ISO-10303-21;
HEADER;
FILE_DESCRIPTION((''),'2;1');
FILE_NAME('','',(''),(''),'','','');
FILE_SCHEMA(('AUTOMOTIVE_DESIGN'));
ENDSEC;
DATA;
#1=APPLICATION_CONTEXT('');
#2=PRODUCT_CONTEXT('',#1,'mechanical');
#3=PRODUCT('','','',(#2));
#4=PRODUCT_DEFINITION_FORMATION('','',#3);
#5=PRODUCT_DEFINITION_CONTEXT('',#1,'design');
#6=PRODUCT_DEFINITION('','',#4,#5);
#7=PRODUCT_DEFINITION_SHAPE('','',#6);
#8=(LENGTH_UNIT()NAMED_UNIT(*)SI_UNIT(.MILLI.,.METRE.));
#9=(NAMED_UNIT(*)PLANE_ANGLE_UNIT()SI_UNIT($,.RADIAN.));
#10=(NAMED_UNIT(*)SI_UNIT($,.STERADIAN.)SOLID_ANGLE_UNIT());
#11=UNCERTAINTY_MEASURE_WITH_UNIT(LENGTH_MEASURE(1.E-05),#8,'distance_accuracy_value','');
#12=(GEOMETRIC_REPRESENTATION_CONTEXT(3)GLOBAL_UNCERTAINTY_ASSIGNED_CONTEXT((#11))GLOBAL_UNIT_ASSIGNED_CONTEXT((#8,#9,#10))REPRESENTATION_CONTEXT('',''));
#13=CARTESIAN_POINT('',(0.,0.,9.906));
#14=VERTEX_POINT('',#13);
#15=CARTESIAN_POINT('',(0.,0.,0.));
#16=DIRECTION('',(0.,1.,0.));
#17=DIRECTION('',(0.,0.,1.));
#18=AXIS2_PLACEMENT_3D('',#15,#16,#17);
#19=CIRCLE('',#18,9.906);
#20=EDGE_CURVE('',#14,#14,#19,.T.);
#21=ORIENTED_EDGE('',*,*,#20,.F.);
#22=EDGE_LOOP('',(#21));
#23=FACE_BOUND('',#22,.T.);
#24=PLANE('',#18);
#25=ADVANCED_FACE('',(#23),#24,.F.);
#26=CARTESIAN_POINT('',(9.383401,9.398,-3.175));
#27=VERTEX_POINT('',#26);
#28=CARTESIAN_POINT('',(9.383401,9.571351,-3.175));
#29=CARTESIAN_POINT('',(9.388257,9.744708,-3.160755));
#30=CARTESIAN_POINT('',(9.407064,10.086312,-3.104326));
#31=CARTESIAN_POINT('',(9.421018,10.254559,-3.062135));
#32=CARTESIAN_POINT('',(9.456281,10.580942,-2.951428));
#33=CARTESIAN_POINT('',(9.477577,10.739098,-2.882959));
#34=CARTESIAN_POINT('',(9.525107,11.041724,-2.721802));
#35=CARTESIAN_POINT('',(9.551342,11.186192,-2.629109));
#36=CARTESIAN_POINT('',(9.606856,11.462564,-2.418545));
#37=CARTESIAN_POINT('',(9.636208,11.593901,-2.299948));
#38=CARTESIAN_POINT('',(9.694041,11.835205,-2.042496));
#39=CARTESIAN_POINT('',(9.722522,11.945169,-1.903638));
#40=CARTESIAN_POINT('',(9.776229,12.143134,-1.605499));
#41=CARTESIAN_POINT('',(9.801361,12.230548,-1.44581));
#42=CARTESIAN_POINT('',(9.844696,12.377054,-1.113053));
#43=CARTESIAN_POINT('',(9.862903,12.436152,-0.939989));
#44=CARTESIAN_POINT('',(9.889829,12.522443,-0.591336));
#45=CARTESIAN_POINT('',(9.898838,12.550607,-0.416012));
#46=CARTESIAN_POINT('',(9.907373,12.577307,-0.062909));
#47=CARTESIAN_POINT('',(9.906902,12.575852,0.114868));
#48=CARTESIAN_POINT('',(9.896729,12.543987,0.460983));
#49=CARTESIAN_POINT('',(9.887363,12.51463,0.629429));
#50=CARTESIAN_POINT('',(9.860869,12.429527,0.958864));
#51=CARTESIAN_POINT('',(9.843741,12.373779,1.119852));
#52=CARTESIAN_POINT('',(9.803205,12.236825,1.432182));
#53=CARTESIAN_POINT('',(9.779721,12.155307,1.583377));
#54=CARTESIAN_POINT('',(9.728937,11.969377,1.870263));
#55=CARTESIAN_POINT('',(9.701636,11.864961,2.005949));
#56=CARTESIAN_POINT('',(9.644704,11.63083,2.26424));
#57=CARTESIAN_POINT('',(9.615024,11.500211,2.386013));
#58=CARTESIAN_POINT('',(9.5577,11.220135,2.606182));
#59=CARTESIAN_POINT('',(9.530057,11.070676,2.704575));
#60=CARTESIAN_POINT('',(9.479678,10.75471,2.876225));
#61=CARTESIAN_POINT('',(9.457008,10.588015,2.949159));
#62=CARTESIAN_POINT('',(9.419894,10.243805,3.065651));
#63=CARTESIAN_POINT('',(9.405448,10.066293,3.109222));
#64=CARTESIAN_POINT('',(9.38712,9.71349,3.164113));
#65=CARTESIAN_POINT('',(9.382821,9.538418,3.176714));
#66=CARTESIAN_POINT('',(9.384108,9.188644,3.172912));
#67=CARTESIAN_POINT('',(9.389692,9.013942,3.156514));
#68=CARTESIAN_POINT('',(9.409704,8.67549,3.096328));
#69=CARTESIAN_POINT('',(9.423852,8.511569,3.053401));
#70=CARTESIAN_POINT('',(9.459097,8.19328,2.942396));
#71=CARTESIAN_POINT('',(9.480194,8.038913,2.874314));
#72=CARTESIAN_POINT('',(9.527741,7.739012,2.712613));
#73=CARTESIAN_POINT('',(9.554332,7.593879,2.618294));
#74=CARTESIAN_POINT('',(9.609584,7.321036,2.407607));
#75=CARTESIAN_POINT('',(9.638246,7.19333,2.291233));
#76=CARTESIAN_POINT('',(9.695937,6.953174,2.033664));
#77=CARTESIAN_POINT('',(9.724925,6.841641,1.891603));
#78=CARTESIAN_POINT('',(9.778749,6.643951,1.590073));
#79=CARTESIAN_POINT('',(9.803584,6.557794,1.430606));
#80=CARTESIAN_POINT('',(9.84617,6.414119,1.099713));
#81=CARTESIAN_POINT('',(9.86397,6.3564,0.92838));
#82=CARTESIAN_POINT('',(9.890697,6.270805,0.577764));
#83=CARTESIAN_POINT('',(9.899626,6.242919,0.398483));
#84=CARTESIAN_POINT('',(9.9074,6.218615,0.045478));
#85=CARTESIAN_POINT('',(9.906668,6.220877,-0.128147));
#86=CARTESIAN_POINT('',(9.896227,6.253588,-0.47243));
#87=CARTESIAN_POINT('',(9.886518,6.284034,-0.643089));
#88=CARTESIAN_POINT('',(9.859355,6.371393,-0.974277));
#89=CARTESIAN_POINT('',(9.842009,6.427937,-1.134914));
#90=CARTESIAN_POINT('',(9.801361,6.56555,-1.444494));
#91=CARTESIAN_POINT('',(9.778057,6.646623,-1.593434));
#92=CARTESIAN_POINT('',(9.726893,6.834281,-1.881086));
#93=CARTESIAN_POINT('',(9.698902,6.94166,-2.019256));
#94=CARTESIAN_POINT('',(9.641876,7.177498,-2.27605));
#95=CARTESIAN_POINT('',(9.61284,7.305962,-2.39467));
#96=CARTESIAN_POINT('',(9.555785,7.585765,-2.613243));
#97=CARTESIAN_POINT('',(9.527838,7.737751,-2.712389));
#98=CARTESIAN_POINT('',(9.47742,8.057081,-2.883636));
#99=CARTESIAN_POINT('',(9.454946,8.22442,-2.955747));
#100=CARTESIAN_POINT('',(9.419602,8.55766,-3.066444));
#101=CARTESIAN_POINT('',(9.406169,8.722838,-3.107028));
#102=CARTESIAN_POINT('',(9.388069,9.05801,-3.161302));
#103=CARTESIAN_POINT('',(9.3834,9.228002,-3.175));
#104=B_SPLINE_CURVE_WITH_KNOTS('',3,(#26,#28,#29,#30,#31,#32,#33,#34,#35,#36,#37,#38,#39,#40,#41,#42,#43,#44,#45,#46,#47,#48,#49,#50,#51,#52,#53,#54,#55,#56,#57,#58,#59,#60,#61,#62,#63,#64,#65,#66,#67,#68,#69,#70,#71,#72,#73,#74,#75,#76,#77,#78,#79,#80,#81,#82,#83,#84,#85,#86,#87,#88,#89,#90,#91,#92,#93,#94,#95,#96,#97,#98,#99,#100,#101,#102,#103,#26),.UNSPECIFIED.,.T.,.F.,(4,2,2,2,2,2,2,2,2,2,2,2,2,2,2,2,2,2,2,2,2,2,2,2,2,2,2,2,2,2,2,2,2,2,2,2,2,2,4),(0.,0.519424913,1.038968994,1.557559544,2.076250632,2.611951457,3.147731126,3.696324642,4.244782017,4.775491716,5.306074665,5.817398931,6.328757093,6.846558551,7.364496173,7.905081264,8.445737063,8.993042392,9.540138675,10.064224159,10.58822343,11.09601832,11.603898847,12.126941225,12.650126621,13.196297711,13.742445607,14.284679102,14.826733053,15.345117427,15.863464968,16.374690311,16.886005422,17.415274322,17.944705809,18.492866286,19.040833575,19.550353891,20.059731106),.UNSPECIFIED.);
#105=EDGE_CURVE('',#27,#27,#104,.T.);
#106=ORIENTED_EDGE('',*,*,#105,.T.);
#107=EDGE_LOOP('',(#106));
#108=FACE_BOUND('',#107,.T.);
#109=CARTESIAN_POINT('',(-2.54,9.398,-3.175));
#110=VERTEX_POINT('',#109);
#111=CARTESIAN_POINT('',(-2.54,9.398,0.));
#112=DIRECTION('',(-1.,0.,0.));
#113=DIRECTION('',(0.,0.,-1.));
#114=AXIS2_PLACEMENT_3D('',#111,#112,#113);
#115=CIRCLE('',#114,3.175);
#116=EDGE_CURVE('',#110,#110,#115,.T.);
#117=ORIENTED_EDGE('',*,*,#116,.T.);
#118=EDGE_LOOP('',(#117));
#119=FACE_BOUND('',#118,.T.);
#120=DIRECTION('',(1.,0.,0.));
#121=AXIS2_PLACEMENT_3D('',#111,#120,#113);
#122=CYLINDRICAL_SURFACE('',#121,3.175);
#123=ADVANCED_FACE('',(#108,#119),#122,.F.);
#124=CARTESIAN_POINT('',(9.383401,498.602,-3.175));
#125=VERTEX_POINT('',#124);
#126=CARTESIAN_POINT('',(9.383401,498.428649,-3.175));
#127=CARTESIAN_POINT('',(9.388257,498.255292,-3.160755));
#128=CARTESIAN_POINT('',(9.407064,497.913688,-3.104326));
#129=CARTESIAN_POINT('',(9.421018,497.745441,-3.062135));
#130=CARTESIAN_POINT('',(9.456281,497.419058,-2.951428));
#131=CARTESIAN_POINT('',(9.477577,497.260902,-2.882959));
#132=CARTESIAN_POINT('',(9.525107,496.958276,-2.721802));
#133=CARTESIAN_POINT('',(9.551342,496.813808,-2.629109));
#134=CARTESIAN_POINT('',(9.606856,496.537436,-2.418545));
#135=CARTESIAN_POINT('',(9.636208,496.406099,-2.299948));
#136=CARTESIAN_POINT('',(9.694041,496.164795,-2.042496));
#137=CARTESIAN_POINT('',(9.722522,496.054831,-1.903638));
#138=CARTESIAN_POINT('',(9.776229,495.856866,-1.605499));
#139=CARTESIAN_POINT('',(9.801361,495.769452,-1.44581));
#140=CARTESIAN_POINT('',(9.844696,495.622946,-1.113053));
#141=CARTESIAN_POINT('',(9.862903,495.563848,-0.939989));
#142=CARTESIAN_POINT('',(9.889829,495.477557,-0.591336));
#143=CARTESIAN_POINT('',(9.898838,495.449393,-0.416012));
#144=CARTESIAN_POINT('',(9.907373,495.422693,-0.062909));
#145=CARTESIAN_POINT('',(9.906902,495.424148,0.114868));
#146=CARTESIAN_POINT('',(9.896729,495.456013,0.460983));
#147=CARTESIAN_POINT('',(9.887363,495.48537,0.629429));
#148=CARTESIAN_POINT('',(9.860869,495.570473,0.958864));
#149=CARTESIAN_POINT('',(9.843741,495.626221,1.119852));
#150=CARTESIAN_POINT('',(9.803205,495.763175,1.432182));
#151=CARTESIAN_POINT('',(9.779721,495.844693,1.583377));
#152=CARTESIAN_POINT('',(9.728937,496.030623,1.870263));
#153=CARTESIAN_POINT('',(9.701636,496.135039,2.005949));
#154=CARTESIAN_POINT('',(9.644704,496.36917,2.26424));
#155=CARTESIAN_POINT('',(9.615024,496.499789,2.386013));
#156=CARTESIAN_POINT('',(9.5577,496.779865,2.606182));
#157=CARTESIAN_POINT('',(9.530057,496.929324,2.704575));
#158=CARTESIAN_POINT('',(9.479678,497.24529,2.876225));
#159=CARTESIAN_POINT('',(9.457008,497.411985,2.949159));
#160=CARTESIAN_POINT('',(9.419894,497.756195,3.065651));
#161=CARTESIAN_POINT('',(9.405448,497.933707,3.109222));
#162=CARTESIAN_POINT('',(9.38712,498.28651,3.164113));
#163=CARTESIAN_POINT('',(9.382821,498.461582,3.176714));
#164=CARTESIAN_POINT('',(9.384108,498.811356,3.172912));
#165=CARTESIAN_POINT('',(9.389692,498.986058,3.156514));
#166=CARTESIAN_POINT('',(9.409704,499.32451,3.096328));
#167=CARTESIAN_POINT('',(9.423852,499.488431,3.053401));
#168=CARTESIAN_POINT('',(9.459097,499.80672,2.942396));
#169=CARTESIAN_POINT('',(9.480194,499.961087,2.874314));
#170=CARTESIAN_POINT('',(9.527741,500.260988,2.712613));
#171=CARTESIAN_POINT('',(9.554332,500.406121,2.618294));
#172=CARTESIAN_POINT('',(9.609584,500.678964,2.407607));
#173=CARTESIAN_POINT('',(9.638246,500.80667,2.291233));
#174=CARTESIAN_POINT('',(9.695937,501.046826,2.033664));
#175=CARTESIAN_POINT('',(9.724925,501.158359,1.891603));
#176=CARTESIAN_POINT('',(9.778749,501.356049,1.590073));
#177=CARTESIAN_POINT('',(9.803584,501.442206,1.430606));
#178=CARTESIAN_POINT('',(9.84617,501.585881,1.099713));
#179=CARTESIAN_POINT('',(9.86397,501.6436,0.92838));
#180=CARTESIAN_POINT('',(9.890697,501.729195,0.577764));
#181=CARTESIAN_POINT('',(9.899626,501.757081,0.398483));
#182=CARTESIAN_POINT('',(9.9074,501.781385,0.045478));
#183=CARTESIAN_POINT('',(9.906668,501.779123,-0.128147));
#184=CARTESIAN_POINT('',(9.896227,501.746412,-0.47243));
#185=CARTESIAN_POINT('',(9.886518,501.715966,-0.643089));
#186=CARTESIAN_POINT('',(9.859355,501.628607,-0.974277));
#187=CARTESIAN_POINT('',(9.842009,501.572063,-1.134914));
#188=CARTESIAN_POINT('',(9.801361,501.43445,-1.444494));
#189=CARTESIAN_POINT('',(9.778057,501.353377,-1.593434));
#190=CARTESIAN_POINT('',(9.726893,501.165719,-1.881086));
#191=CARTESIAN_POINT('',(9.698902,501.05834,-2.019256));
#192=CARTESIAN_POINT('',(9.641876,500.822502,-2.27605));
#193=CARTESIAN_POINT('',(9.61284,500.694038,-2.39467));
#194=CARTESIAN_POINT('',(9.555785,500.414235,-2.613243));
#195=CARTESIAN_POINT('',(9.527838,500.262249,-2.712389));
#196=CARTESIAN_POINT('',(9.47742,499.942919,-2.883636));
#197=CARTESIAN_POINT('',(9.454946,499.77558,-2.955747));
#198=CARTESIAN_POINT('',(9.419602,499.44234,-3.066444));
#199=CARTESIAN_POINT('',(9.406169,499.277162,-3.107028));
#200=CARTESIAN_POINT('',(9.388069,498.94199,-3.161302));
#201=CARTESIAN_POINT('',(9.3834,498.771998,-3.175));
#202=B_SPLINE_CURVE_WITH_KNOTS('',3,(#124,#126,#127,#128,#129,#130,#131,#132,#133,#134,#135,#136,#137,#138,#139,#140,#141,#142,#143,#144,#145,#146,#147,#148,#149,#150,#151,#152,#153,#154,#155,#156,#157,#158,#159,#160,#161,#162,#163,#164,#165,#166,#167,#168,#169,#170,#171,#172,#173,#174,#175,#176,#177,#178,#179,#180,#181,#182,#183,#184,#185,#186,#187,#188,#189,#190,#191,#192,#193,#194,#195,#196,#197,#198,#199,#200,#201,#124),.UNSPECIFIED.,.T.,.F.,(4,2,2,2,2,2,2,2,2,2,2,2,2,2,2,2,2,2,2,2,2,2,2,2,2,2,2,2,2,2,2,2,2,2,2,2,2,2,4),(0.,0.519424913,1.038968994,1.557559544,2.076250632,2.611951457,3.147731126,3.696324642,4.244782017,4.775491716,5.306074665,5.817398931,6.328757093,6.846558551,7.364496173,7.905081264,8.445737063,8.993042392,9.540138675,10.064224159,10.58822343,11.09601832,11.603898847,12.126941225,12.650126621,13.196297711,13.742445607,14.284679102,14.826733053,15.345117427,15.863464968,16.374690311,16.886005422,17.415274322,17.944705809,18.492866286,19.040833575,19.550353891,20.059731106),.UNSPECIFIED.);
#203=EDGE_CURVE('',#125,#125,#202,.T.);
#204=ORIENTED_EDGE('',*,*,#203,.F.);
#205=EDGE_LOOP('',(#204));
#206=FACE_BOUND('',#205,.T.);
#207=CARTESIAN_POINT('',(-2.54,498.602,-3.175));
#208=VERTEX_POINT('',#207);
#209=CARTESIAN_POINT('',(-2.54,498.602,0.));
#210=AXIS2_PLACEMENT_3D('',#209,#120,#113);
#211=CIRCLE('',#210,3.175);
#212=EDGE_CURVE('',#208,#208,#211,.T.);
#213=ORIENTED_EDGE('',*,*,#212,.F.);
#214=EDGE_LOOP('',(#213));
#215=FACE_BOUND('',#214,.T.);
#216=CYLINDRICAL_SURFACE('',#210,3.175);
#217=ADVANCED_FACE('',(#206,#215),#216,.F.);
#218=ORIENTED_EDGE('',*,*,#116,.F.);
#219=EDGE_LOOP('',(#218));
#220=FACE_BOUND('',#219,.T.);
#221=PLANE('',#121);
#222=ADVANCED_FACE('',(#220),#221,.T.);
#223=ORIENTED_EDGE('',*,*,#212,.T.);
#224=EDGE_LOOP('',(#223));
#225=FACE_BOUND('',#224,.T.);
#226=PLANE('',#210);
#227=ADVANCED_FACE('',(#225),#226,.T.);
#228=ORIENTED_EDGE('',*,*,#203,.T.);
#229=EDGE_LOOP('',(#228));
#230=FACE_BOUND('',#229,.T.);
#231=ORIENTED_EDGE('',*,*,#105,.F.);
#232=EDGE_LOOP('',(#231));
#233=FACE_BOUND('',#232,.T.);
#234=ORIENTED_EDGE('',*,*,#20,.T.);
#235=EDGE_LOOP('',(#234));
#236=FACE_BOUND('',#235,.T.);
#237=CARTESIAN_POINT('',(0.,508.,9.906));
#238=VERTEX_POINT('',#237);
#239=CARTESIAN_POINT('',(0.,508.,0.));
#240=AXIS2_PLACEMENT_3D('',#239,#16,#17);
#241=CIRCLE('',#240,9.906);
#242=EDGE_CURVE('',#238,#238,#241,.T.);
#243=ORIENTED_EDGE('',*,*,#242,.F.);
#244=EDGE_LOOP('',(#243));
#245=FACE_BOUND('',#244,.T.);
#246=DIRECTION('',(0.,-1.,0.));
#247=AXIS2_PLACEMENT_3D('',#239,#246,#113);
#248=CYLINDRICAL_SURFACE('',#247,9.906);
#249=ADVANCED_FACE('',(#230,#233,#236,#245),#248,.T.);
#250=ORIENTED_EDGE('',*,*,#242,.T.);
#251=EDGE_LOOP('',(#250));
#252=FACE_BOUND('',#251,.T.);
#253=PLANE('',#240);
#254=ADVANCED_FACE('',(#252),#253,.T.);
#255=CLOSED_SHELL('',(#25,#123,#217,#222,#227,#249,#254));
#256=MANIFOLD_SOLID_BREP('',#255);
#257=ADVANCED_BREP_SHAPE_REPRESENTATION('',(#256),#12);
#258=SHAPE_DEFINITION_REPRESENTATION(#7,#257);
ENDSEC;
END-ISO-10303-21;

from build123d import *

# Parameters (mm, degrees)
SKETCH1_R           = 9.906
BOSS_EXTRUDE1_DEPTH = 508
CUT_EXTRUDE1_START  = 20.32
SKETCH2_R           = 3.175
CUT_EXTRUDE1_DEPTH  = 22.86


with BuildPart() as part:
    # Sketch1 → Boss-Extrude1 (new body)
    with BuildSketch(Plane(origin=(0, 0, 0), x_dir=(1, 0, 0), z_dir=(0, 1, 0))):
        with Locations(Location((0, 0, 0), (0, 0, 270))):
            Circle(SKETCH1_R)
    extrude(amount=BOSS_EXTRUDE1_DEPTH)

    # Sketch2 → Cut-Extrude1 (cut)
    with BuildSketch(Plane(origin=(0, 0, 0), x_dir=(0, 0, -1), z_dir=(1, 0, 0)).offset(CUT_EXTRUDE1_START)):
        with Locations((0, 498.602)):
            Circle(SKETCH2_R)
    cut_extrude1 = extrude(amount=-CUT_EXTRUDE1_DEPTH, mode=Mode.SUBTRACT)

    # Mirror1: Cut-Extrude1 across plane
    add(cut_extrude1.mirror(Plane.ZX.offset(254)), mode=Mode.SUBTRACT)


solid = part.part
